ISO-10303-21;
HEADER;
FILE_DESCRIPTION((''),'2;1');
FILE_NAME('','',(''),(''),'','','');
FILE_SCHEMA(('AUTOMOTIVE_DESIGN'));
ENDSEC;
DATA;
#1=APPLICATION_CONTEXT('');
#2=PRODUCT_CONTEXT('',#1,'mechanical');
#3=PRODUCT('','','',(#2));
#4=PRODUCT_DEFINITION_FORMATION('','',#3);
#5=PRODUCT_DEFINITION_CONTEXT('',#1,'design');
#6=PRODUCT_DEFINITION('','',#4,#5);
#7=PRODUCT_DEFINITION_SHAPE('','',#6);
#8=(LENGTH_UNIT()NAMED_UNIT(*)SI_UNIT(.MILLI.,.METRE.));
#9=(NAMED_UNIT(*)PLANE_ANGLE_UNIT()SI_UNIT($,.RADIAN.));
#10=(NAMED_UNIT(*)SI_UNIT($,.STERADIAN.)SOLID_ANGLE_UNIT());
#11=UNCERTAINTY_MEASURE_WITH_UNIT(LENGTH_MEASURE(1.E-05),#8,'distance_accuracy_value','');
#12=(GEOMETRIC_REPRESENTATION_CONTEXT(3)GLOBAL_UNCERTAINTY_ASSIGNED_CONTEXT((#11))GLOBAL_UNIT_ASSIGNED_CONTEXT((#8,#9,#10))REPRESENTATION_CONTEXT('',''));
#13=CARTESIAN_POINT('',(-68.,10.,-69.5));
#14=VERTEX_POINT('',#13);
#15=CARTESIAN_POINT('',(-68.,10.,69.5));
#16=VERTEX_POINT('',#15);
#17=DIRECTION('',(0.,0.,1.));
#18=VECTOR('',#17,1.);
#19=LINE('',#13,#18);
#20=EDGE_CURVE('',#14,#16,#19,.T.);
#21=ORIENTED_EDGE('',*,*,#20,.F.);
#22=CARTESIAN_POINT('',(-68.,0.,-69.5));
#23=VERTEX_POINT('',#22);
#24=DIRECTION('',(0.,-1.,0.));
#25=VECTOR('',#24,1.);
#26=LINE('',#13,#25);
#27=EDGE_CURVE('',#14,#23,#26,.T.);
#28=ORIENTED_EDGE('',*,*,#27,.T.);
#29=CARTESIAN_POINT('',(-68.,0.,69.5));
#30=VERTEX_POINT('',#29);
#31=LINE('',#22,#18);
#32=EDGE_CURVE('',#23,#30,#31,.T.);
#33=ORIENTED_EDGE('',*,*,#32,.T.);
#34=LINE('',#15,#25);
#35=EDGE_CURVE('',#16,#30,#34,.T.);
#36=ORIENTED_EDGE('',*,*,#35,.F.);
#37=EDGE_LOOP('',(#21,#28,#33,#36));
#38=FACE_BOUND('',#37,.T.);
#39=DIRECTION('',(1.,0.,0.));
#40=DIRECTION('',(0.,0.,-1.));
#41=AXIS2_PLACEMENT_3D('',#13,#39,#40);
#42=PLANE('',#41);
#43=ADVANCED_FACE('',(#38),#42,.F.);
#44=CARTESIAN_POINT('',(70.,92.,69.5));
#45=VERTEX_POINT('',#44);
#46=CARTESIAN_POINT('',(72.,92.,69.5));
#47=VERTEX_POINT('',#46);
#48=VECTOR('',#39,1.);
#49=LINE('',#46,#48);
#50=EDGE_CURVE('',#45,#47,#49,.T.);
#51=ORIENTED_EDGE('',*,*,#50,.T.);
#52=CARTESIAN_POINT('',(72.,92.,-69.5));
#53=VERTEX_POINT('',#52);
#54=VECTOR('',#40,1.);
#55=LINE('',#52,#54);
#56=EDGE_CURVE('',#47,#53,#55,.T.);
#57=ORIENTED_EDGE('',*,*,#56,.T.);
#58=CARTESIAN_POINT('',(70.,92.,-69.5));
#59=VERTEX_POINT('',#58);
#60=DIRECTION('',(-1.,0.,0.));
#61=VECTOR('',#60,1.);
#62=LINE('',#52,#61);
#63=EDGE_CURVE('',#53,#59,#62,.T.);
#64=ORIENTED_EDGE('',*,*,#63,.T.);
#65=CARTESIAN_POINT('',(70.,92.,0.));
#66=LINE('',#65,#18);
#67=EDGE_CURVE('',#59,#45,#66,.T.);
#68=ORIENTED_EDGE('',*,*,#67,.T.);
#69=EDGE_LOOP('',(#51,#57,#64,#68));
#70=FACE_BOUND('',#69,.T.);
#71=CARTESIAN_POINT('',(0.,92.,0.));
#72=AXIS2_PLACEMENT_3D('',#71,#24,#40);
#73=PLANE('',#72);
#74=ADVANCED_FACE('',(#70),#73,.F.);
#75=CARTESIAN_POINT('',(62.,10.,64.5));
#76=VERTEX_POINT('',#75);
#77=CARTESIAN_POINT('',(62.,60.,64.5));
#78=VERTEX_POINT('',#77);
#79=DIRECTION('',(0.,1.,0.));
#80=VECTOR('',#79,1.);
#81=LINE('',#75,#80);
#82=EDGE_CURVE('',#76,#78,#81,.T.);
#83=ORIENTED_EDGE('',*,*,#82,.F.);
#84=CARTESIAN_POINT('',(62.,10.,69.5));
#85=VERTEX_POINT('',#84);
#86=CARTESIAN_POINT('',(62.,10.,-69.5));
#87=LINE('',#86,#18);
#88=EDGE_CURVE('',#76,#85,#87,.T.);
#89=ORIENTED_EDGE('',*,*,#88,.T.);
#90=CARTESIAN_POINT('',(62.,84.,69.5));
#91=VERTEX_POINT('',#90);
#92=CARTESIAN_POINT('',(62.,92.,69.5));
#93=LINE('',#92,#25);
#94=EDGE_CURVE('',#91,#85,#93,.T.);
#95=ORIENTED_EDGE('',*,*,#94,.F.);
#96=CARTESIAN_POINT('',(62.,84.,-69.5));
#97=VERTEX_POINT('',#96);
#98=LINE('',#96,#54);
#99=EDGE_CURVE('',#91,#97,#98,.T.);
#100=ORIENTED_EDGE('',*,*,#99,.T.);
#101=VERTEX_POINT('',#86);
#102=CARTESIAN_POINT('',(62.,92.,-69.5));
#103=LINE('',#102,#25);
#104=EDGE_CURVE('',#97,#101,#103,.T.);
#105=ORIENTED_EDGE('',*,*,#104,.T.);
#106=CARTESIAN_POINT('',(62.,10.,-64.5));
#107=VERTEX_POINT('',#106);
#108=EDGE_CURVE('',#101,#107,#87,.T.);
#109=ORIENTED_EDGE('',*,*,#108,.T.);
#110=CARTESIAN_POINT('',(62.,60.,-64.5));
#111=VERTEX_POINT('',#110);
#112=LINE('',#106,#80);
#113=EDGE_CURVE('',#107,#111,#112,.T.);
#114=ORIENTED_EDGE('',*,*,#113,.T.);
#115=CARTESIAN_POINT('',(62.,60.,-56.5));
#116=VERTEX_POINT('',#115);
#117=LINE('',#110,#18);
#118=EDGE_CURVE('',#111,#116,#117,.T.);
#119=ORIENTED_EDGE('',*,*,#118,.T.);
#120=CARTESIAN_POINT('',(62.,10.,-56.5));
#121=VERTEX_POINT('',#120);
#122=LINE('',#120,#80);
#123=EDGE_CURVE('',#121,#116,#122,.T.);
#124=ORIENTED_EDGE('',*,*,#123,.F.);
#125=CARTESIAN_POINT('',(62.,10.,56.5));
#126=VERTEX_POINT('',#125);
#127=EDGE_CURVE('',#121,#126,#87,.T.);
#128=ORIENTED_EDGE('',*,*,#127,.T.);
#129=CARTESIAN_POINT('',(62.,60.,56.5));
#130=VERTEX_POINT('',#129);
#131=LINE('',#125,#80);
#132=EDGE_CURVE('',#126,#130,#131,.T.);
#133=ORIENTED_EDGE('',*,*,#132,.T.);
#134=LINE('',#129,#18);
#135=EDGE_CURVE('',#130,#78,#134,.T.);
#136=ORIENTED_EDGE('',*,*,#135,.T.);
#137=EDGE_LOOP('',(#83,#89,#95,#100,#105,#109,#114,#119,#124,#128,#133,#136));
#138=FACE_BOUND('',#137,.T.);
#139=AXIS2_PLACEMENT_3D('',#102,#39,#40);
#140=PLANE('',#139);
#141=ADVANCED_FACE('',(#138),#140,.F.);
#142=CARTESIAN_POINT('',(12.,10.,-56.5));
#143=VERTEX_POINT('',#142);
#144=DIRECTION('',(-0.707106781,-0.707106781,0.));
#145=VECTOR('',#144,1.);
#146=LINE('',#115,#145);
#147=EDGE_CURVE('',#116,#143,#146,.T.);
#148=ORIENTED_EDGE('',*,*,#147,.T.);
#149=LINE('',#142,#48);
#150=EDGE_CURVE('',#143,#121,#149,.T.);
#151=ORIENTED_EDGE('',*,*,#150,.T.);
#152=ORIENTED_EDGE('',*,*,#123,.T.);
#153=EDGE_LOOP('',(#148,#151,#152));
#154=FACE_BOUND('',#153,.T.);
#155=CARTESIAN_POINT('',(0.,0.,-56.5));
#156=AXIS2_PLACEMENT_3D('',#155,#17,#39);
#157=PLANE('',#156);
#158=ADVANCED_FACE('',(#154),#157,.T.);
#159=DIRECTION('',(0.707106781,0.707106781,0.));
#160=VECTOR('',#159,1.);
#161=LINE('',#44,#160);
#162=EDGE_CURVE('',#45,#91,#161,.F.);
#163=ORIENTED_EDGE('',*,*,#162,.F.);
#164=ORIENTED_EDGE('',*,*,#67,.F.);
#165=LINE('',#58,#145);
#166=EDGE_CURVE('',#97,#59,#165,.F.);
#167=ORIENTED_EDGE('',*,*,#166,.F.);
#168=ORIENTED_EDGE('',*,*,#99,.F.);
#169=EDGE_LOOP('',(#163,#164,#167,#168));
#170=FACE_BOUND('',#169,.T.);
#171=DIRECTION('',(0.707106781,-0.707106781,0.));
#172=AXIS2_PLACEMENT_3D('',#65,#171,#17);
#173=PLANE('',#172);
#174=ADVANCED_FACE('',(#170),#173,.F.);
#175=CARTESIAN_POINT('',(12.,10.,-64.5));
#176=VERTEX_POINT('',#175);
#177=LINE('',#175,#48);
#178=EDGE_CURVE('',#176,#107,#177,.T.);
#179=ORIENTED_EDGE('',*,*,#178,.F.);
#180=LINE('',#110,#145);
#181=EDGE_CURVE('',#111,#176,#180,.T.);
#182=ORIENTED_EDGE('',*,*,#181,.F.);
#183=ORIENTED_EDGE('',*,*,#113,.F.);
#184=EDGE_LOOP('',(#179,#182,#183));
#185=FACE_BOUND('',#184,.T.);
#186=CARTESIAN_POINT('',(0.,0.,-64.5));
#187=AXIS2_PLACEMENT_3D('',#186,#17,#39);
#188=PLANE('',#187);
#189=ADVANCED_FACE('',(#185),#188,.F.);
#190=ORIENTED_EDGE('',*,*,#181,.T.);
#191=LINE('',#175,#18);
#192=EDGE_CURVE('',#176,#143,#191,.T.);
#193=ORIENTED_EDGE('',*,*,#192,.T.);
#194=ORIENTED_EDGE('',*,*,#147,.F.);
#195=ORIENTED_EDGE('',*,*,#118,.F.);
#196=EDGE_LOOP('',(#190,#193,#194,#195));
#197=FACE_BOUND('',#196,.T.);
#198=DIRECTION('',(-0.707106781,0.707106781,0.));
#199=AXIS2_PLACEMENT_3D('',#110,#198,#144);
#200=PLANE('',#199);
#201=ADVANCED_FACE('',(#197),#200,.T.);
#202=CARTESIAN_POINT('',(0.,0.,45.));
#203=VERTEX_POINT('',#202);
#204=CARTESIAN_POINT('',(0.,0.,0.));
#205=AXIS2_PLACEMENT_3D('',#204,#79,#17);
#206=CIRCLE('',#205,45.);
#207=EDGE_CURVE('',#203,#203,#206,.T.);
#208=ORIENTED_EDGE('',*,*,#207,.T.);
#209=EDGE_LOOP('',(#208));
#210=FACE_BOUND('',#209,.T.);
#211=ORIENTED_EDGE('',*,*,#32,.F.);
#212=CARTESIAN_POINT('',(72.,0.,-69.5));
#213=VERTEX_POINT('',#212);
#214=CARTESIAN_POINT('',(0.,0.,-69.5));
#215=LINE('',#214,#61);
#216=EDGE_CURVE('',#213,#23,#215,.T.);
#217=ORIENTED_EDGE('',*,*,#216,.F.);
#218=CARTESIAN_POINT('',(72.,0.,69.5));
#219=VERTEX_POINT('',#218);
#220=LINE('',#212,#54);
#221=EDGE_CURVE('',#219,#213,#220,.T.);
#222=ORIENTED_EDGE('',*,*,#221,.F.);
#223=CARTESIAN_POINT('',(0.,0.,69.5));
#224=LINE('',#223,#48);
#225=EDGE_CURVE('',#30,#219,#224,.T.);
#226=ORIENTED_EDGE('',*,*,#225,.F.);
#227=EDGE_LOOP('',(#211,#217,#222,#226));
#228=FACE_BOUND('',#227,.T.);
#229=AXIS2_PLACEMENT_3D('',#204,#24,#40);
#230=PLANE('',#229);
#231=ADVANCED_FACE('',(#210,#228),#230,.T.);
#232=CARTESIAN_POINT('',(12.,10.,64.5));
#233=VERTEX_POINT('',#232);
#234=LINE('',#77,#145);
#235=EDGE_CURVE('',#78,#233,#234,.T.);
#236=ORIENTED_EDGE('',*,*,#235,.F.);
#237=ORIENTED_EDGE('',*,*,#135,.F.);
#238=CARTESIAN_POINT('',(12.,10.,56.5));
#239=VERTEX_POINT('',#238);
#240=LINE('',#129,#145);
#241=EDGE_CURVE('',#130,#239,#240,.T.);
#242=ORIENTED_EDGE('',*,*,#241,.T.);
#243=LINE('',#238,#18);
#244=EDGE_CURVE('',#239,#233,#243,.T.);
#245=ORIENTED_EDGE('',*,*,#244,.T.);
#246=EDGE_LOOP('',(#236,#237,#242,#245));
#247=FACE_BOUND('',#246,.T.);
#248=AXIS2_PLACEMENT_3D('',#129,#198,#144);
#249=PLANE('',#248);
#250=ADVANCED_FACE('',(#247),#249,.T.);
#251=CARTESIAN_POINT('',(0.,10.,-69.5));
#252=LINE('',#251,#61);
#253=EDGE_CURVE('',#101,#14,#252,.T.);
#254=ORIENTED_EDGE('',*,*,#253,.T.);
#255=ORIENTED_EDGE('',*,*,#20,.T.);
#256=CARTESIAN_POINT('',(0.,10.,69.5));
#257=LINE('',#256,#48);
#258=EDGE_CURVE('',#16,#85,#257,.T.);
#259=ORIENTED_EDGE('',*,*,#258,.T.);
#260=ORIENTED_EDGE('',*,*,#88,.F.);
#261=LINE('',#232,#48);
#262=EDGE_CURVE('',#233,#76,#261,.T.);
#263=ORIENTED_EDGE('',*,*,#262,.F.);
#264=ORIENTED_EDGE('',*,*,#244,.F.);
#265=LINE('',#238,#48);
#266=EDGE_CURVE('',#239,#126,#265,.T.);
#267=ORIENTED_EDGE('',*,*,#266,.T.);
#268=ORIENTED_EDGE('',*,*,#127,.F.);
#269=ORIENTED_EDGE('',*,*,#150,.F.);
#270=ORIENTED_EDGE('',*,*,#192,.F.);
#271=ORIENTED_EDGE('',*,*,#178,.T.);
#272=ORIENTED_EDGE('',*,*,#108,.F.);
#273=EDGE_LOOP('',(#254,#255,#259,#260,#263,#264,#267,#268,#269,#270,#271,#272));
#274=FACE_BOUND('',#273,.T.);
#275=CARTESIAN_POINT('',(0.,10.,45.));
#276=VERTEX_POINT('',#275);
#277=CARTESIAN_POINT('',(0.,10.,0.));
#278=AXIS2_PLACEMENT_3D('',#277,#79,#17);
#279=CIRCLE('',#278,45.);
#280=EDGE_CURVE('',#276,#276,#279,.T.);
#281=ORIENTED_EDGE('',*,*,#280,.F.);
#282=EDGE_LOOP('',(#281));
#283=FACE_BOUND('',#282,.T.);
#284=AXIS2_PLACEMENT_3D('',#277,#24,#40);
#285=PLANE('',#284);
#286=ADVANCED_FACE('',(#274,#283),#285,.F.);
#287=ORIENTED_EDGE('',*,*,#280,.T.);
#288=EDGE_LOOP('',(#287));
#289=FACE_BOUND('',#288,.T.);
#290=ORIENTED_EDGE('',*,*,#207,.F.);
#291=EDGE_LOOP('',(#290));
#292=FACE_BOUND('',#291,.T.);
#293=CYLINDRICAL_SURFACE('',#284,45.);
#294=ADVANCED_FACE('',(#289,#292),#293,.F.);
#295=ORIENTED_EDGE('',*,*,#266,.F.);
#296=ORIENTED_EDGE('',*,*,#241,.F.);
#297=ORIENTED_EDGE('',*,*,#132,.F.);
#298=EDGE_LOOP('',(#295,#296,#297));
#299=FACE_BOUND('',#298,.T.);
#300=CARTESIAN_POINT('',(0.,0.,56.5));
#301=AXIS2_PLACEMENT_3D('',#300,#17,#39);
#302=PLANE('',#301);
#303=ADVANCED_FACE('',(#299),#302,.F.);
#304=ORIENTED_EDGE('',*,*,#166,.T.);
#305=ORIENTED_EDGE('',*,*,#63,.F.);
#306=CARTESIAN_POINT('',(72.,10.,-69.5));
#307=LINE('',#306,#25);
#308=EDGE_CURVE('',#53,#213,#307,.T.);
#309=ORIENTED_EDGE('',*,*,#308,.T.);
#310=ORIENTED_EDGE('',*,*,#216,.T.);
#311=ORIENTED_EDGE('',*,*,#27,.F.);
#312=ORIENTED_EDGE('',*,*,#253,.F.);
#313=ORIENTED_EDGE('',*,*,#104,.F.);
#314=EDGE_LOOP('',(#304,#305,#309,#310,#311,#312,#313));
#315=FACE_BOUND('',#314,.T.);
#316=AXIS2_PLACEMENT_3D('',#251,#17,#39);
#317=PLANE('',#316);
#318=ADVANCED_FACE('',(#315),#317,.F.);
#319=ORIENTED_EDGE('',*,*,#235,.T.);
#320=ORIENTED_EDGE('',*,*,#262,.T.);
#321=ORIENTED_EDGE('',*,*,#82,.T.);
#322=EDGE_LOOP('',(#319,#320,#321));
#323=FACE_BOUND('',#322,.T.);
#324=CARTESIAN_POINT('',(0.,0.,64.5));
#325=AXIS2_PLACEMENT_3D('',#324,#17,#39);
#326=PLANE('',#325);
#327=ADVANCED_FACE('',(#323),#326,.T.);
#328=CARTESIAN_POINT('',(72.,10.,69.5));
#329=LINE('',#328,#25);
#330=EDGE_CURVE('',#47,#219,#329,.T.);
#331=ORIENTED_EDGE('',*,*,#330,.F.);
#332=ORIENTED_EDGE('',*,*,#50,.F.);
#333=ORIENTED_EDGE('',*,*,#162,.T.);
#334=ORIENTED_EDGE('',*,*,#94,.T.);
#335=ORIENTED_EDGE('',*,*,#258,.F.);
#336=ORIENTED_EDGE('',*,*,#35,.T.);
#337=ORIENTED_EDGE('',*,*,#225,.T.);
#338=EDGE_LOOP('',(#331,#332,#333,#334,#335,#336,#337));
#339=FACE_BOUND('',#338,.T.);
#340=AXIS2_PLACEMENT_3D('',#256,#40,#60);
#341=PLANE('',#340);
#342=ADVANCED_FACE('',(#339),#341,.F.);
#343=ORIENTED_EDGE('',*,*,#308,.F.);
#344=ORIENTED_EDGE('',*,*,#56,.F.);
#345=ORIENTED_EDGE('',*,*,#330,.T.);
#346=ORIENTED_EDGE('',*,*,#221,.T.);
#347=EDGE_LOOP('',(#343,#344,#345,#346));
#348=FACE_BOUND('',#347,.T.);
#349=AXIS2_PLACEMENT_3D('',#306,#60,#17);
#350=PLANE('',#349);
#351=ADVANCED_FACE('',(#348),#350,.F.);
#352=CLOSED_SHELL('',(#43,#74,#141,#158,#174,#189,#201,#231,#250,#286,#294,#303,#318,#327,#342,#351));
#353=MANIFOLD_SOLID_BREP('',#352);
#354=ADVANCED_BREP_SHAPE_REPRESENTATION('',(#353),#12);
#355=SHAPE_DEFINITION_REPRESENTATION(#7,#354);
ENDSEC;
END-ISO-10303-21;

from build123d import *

# Parameters (mm, degrees)
SKETCH1_R       = 45
EXTRUDE1_DEPTH  = 10
SKETCH2_W       = 10
SKETCH2_H       = 139
EXTRUDE2_DEPTH  = 82
CHAMFER1_SIZE   = 8
EXTRUDE3_START  = -5
EXTRUDE3_DEPTH  = 8
LPATTERN1_COUNT = 2
LPATTERN1_PITCH = 121


with BuildPart() as part:
    # Sketch1 → Extrude1 (new body)
    with BuildSketch(Plane(origin=(0, 0, 0), x_dir=(1, 0, 0), z_dir=(0, 1, 0))):
        Polygon((0, 69.5), (-68, 69.5), (-68, -69.5), (0, -69.5), (72, -69.5), (72, 69.5), align=None)
        with Locations(Location((0, 0, 0), (0, 0, 270))):
            Circle(SKETCH1_R, mode=Mode.SUBTRACT)
    extrude(amount=EXTRUDE1_DEPTH)

    # Sketch2 → Extrude2 (add)
    with BuildSketch(Plane(origin=(0, 10, 0), x_dir=(1, 0, 0), z_dir=(0, 1, 0))):
        with Locations((67, 0)):
            Rectangle(SKETCH2_W, SKETCH2_H)
    extrude(amount=EXTRUDE2_DEPTH)

    # Chamfer1
    chamfer1_edges = [part.edges().sort_by_distance(p)[0] for p in [
        (62, 92, 0),
    ]]
    chamfer(chamfer1_edges, length=CHAMFER1_SIZE)

    # Sketch3 → Extrude3 (add)
    with BuildSketch(Plane.XY.offset(69.5).offset(EXTRUDE3_START)):
        Polygon((12, 10), (62, 10), (62, 60), align=None)
    extrude3 = extrude(amount=-EXTRUDE3_DEPTH)

    # LPattern1: Extrude3 ×2
    with Locations(*[(0, 0, -i * LPATTERN1_PITCH) for i in range(1, LPATTERN1_COUNT)]):
        add(extrude3)


solid = part.part
